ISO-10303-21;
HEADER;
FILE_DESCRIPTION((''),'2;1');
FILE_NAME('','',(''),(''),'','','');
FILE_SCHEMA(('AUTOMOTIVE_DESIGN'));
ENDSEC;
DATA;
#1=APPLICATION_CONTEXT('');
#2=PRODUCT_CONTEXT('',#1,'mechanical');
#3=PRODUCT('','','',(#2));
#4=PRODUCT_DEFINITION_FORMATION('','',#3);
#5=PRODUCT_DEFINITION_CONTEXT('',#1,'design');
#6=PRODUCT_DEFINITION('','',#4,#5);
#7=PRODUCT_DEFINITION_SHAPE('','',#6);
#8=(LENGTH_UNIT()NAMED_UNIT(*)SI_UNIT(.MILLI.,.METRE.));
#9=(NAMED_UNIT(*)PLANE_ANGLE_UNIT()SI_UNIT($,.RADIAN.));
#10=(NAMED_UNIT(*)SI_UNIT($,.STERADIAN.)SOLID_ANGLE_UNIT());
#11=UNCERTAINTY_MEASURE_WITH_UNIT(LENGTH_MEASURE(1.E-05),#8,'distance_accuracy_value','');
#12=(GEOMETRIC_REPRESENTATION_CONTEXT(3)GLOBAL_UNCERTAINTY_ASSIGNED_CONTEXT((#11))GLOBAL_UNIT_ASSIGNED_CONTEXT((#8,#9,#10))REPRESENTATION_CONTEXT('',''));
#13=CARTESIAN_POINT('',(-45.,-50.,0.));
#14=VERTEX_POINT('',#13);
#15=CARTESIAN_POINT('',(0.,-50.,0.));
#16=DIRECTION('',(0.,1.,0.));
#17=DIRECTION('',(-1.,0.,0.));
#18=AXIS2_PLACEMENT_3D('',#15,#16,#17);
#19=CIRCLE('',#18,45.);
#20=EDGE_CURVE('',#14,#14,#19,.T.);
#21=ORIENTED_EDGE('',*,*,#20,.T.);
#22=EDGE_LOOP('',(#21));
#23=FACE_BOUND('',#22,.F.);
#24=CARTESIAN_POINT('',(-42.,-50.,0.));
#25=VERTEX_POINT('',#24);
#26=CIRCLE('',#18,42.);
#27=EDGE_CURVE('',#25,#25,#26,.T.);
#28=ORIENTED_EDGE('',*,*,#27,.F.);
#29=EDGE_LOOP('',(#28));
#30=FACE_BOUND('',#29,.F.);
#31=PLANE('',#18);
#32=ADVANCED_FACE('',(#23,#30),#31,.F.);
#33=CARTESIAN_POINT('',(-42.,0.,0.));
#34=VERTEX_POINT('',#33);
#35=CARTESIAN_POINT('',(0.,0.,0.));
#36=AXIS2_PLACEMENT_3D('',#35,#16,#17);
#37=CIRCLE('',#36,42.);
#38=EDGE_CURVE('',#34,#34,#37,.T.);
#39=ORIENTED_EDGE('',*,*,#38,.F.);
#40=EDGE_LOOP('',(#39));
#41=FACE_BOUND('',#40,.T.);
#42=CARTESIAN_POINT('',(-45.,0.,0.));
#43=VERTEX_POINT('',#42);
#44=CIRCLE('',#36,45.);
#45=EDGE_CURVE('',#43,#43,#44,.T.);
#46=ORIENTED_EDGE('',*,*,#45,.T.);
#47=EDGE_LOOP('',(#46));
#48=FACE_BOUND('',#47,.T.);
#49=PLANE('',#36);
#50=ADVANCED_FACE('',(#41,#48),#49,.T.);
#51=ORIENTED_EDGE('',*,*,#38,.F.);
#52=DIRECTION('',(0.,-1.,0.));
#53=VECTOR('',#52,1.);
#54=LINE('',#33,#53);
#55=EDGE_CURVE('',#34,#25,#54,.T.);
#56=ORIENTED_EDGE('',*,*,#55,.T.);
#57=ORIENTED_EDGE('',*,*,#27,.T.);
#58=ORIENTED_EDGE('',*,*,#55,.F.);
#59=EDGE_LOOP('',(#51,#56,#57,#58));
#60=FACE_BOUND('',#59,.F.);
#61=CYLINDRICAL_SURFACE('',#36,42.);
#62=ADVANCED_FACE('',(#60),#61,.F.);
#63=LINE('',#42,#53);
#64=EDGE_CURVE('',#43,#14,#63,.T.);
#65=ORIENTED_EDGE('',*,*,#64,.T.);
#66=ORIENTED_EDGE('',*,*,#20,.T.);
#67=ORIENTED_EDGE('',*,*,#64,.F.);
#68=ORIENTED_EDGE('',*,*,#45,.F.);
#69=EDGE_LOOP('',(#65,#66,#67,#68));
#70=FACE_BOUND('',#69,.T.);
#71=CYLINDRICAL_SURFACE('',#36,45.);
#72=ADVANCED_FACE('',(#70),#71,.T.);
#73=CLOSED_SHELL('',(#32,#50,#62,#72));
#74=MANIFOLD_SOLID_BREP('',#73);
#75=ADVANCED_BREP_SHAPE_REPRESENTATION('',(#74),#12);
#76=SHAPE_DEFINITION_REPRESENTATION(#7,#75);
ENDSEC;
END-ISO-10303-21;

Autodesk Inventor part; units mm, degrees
ref_plane "YZ Plane" through (0, 0, 0) normal (1, 0, 0) x (0, 1, 0)
ref_plane "XZ Plane" through (0, 0, 0) normal (0, 1, 0) x (-1, 0, 0)
ref_plane "XY Plane" through (0, 0, 0) normal (0, 0, 1) x (1, 0, 0)
sketch "Sketch1" plane through (0, 0, 0) normal (0, 1, 0) x (-1, 0, 0)
  circle A0 centre (0, 0) radius 45
  circle A1 centre (0, 0) radius 42
  dimension "d0" = 90
  dimension "d1" = 3
extrude "Extrusion1" add sketch "Sketch1" against normal blind 50
properties part number "TZS 0934 FDS tube 4" material "Steel"
